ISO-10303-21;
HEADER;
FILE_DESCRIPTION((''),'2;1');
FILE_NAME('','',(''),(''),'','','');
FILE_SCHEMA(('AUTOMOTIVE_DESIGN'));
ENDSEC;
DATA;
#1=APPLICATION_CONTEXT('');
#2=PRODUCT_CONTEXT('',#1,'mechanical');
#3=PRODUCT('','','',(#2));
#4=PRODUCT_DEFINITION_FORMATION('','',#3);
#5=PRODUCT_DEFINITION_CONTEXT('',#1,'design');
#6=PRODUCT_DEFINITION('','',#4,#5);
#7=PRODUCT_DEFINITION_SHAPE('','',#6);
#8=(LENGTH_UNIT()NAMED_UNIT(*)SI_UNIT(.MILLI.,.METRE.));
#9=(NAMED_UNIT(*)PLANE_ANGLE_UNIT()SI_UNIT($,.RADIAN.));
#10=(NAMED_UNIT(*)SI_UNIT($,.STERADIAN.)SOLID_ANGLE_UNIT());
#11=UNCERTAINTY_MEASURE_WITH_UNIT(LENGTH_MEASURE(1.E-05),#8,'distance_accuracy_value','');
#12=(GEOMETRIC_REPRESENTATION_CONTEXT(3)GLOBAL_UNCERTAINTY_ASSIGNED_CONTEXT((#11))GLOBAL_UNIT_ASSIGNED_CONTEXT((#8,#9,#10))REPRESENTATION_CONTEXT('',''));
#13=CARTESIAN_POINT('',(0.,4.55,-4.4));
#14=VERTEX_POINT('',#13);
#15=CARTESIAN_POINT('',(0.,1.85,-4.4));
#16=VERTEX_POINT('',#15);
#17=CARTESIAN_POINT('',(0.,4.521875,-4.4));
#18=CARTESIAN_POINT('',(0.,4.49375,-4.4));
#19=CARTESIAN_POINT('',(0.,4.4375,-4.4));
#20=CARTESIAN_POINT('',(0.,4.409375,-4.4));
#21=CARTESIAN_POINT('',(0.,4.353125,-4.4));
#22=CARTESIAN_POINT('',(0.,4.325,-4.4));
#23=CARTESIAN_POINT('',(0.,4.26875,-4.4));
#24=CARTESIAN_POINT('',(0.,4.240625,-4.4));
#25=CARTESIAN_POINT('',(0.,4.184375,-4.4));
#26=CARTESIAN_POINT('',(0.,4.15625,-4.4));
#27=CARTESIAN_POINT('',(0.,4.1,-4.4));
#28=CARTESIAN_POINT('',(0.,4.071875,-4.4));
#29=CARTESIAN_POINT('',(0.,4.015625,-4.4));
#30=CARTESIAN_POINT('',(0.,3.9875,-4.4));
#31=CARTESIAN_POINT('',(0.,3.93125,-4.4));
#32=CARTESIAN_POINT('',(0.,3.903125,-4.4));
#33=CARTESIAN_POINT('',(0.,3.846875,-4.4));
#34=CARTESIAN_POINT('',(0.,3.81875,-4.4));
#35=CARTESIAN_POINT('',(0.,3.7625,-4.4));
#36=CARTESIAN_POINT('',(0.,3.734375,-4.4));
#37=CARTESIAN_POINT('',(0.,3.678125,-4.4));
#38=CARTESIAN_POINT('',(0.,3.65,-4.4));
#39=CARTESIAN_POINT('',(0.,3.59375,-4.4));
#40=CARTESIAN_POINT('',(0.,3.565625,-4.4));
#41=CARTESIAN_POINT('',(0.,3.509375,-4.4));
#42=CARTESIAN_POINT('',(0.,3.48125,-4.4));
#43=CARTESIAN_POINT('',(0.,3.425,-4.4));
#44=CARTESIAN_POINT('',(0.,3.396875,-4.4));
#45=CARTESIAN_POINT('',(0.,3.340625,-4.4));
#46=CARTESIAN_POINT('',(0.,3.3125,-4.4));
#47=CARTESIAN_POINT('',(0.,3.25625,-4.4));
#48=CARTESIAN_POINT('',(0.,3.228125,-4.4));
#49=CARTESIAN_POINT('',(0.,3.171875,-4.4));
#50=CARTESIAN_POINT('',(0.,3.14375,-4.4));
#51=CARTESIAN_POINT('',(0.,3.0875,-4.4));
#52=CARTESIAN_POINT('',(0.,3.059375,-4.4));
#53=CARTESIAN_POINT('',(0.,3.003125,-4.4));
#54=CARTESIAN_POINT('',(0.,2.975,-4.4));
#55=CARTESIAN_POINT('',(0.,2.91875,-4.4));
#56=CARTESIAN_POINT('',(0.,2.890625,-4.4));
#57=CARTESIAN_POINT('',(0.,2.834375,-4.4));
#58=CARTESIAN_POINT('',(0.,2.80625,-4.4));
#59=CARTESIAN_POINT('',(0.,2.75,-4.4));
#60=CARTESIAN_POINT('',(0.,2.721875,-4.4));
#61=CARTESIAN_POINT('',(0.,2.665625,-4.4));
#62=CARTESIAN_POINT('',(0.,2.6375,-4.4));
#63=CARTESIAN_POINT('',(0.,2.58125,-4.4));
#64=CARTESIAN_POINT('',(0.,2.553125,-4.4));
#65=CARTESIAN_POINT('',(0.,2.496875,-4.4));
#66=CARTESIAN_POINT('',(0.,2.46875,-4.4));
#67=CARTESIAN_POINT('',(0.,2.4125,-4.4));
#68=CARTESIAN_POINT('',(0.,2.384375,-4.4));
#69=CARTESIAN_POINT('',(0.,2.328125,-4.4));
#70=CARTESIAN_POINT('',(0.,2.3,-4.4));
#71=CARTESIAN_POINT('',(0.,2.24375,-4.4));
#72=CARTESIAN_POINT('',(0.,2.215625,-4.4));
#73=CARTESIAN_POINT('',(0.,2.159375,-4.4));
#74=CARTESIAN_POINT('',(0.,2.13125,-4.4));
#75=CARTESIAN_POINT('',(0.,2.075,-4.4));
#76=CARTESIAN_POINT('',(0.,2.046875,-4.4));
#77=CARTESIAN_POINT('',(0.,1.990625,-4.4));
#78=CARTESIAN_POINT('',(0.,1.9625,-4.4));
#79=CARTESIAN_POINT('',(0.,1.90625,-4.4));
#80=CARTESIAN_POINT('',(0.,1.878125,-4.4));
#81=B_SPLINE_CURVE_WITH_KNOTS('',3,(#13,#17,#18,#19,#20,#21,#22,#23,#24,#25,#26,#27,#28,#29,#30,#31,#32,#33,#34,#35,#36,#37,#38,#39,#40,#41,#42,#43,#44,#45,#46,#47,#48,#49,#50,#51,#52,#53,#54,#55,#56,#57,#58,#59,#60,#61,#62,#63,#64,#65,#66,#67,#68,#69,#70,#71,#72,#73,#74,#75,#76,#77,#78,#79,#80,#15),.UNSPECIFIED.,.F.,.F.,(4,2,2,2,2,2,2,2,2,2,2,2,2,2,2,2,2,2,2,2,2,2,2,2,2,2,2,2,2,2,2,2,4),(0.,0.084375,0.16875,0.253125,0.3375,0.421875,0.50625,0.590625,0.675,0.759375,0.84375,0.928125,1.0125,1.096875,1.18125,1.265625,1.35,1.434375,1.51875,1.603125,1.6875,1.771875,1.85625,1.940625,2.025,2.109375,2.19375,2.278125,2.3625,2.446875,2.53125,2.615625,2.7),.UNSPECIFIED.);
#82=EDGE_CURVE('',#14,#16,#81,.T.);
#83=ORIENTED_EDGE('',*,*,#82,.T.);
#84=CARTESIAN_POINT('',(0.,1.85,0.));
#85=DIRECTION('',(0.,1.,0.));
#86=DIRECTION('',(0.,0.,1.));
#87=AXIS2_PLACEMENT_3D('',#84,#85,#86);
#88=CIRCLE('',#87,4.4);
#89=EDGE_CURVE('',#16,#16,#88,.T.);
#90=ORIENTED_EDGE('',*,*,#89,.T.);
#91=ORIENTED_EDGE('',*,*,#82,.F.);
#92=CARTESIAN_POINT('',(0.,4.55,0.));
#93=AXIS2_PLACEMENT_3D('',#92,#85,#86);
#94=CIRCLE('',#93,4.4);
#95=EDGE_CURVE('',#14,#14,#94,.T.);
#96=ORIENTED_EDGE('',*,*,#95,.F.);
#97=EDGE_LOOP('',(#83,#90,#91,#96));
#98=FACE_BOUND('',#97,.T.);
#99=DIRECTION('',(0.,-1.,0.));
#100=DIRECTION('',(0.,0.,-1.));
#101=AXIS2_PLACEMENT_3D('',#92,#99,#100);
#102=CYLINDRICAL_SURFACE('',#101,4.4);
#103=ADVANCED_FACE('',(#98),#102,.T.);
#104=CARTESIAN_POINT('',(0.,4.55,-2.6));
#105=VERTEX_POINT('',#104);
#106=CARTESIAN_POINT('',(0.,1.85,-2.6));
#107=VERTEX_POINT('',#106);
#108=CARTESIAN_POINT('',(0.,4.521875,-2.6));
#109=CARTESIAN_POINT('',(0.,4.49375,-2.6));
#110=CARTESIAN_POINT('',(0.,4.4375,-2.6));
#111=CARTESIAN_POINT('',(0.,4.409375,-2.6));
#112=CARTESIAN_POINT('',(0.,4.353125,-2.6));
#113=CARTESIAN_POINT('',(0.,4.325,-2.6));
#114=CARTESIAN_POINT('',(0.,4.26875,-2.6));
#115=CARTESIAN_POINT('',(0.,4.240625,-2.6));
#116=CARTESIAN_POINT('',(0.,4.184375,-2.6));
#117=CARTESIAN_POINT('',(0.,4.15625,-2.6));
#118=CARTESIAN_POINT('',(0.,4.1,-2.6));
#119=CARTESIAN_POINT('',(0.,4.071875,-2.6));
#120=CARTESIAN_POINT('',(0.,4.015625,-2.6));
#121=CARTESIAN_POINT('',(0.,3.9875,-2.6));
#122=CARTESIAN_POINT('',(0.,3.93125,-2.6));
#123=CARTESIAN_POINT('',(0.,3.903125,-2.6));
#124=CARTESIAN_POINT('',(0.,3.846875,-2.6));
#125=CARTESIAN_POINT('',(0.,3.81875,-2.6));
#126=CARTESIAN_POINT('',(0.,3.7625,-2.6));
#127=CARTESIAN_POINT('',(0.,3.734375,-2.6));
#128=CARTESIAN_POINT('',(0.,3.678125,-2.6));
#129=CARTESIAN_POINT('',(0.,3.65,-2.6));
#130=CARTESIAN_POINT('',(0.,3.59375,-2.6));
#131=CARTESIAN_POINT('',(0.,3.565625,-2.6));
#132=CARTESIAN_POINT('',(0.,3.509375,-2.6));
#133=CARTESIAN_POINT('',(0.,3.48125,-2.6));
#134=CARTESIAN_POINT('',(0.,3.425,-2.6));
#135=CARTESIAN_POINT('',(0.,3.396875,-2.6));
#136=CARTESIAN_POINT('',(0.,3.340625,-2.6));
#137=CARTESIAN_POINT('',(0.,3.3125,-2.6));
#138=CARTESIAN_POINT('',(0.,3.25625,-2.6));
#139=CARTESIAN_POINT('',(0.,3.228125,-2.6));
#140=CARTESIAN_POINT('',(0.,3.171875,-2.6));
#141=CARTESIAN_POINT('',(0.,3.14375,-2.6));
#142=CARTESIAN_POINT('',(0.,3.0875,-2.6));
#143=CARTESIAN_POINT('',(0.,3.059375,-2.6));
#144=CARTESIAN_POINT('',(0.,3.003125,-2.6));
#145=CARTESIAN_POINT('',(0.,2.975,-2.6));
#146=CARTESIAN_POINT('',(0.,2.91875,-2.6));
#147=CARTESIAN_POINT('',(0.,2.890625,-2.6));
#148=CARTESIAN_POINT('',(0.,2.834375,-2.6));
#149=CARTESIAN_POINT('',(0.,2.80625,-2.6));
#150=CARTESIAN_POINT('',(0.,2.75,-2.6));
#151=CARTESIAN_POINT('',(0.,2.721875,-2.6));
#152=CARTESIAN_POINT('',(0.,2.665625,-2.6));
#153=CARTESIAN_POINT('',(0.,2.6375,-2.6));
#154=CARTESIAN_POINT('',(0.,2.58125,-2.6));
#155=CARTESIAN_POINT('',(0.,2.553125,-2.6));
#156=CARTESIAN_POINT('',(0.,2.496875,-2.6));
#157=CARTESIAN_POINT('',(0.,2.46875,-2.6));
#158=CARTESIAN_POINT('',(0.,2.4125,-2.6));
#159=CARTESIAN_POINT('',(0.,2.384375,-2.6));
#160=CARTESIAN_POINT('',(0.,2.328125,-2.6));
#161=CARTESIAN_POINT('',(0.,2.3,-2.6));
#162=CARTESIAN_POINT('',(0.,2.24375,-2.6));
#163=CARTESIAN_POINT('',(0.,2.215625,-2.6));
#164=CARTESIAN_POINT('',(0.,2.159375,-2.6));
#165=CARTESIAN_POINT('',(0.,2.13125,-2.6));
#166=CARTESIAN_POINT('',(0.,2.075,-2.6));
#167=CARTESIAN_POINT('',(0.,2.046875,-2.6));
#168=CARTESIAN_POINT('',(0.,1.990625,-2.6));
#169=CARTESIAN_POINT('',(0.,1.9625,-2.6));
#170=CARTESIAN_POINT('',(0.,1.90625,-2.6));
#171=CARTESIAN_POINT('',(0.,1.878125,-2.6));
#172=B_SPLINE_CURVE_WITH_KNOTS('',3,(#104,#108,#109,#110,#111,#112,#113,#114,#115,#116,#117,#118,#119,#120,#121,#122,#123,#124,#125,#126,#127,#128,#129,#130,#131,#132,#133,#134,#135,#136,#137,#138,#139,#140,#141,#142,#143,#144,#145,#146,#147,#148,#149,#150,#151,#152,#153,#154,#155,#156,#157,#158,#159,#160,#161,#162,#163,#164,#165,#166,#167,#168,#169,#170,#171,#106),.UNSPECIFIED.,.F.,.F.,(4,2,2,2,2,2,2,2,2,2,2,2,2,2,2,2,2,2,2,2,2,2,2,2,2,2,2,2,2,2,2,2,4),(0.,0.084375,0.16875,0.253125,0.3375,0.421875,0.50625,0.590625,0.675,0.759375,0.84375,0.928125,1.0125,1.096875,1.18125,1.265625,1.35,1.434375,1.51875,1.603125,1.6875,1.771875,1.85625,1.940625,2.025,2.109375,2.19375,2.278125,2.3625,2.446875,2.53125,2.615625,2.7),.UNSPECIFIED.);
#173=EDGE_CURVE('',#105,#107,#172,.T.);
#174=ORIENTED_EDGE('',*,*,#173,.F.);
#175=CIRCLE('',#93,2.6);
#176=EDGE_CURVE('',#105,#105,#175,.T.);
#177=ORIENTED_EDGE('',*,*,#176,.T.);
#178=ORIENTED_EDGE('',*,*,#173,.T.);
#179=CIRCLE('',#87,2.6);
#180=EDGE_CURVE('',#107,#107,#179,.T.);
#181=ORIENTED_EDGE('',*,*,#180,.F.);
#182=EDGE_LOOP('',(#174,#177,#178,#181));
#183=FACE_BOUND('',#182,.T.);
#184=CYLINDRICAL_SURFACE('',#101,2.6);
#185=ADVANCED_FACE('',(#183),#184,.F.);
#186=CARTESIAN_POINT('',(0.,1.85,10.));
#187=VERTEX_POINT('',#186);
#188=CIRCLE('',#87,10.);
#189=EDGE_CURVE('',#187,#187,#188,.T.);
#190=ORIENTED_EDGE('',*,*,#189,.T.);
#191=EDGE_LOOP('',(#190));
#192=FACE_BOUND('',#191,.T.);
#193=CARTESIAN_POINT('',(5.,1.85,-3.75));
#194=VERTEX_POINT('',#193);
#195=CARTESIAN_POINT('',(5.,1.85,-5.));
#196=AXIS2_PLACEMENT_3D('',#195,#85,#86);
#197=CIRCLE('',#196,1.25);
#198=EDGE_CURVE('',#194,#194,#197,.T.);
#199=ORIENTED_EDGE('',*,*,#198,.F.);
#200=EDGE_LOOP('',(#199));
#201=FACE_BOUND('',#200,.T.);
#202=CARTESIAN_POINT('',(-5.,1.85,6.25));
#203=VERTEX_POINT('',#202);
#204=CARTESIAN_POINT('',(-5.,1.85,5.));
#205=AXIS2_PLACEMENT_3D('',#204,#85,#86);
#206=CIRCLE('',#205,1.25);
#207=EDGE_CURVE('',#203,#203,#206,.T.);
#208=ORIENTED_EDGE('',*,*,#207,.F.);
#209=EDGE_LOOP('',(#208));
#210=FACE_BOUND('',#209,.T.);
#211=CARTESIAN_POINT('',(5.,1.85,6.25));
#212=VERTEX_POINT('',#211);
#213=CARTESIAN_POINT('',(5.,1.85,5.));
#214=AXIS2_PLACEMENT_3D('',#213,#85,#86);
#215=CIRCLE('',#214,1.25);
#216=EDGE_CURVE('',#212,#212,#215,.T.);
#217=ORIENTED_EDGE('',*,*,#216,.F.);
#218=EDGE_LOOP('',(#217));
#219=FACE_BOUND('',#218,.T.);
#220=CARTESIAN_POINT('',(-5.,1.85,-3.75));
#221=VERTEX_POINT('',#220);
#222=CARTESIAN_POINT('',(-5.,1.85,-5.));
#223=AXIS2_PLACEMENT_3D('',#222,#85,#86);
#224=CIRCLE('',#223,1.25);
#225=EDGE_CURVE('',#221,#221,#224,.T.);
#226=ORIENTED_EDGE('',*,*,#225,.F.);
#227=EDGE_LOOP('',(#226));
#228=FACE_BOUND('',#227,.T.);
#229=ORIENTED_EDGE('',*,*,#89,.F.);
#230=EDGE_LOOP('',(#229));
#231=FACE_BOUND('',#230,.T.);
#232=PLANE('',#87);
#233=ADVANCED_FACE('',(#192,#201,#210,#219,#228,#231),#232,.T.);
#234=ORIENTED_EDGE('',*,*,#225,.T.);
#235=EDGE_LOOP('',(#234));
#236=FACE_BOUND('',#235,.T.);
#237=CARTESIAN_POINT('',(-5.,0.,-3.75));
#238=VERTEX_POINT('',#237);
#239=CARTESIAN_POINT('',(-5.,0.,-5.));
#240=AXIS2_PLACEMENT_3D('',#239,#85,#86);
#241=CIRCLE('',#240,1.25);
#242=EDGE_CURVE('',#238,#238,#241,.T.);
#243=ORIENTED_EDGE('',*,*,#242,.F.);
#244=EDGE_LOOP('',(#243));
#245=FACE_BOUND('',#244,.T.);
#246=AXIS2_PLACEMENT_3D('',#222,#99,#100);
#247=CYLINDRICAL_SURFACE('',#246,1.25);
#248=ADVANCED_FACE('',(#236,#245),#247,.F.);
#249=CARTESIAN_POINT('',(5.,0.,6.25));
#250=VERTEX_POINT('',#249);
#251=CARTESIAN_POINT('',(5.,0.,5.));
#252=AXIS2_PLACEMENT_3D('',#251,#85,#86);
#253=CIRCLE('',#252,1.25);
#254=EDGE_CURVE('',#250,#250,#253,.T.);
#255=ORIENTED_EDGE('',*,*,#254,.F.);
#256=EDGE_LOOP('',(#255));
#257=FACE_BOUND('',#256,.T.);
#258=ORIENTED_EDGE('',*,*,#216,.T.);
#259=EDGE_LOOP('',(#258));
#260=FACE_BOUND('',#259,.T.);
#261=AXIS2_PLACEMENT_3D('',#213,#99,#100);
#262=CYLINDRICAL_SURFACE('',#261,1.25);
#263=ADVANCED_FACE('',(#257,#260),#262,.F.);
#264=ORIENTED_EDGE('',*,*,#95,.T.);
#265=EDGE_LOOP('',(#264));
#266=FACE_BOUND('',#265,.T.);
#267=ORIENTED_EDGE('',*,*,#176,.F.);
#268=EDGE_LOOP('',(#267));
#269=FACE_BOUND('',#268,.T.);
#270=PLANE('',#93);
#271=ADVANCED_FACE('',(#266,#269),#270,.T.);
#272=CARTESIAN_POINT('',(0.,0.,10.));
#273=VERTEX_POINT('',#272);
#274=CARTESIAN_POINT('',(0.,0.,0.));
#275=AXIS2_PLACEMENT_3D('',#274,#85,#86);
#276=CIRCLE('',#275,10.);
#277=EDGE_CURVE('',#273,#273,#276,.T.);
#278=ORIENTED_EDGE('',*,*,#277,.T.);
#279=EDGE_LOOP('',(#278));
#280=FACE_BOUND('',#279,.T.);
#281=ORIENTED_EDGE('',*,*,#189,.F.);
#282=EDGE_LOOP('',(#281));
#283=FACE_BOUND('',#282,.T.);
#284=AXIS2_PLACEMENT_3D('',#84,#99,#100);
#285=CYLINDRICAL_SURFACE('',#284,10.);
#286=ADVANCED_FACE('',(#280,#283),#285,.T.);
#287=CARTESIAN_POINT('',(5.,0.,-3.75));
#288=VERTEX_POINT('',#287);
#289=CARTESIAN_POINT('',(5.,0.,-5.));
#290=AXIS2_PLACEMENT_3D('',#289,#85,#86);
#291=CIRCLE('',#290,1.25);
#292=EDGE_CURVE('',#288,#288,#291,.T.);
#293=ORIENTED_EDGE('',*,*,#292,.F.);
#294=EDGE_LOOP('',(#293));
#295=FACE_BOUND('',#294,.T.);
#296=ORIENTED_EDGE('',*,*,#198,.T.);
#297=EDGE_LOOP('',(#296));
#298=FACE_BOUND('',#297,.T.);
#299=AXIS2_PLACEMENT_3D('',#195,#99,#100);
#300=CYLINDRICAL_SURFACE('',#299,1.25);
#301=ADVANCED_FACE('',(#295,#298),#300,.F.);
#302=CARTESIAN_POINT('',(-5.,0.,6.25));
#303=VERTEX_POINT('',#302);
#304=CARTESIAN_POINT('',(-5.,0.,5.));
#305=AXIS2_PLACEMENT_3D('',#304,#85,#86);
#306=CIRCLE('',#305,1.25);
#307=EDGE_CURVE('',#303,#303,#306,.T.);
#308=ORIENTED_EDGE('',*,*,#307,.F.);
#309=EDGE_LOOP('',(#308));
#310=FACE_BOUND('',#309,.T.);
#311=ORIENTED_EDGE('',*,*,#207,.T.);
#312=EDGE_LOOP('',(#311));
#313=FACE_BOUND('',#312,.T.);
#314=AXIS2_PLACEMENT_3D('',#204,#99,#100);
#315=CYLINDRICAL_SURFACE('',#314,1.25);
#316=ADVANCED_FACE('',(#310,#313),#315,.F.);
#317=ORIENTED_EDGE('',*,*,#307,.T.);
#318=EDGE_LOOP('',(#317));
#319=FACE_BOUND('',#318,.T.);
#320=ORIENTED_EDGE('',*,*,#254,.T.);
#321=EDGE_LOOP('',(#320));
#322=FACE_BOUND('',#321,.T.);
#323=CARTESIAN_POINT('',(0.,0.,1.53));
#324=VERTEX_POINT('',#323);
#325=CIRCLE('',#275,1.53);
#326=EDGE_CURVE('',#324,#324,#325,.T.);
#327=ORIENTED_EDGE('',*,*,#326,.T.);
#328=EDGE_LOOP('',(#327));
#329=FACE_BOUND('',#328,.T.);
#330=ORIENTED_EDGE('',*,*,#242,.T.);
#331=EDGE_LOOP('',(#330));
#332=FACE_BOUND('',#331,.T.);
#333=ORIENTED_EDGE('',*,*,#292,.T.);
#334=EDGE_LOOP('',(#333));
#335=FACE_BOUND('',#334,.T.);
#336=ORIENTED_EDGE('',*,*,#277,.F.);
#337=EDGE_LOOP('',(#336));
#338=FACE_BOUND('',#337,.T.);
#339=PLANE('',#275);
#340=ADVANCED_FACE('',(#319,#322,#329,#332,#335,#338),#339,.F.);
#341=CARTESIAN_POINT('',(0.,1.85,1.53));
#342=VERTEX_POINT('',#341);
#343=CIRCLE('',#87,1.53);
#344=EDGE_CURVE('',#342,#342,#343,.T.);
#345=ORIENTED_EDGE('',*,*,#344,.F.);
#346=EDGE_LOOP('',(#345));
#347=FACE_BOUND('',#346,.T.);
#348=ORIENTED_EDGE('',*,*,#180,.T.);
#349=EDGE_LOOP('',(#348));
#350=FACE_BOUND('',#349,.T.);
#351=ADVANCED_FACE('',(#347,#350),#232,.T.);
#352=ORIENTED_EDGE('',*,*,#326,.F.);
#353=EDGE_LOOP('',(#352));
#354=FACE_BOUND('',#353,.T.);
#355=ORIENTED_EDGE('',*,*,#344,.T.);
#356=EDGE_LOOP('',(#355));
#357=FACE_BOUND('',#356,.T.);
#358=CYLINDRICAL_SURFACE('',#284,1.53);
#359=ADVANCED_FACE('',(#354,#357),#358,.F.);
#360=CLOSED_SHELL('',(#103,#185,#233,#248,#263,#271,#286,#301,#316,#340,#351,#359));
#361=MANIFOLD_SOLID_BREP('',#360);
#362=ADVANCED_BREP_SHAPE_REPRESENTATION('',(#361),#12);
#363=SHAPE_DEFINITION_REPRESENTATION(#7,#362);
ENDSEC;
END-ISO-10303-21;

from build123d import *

# Parameters (mm, degrees)
SKETCH1_R           = 10
SKETCH1_R_2         = 1.53
SKETCH1_R_3         = 1.25
BOSS_EXTRUDE1_DEPTH = 1.85
SKETCH2_R           = 4.4
SKETCH2_R_2         = 2.6
BOSS_EXTRUDE2_DEPTH = 2.7


with BuildPart() as part:
    # Sketch1 → Boss-Extrude1 (new body)
    with BuildSketch(Plane(origin=(0, 0, 0), x_dir=(1, 0, 0), z_dir=(0, 1, 0))):
        with Locations(Location((0, 0, 0), (0, 0, 270))):
            Circle(SKETCH1_R)
        with Locations(Location((0, 0, 0), (0, 0, 270))):
            Circle(SKETCH1_R_2, mode=Mode.SUBTRACT)
        with Locations(Location((-5, 5, 0), (0, 0, 270))):
            Circle(SKETCH1_R_3, mode=Mode.SUBTRACT)
        with Locations(Location((5, 5, 0), (0, 0, 270))):
            Circle(SKETCH1_R_3, mode=Mode.SUBTRACT)
        with Locations(Location((5, -5, 0), (0, 0, 270))):
            Circle(SKETCH1_R_3, mode=Mode.SUBTRACT)
        with Locations(Location((-5, -5, 0), (0, 0, 270))):
            Circle(SKETCH1_R_3, mode=Mode.SUBTRACT)
    extrude(amount=BOSS_EXTRUDE1_DEPTH)

    # Sketch2 → Boss-Extrude2 (add)
    with BuildSketch(Plane(origin=(0, 1.85, 0), x_dir=(1, 0, 0), z_dir=(0, 1, 0))):
        with Locations(Location((0, 0, 0), (0, 0, 90))):
            Circle(SKETCH2_R)
        with Locations(Location((0, 0, 0), (0, 0, 90))):
            Circle(SKETCH2_R_2, mode=Mode.SUBTRACT)
    extrude(amount=BOSS_EXTRUDE2_DEPTH)


solid = part.part
